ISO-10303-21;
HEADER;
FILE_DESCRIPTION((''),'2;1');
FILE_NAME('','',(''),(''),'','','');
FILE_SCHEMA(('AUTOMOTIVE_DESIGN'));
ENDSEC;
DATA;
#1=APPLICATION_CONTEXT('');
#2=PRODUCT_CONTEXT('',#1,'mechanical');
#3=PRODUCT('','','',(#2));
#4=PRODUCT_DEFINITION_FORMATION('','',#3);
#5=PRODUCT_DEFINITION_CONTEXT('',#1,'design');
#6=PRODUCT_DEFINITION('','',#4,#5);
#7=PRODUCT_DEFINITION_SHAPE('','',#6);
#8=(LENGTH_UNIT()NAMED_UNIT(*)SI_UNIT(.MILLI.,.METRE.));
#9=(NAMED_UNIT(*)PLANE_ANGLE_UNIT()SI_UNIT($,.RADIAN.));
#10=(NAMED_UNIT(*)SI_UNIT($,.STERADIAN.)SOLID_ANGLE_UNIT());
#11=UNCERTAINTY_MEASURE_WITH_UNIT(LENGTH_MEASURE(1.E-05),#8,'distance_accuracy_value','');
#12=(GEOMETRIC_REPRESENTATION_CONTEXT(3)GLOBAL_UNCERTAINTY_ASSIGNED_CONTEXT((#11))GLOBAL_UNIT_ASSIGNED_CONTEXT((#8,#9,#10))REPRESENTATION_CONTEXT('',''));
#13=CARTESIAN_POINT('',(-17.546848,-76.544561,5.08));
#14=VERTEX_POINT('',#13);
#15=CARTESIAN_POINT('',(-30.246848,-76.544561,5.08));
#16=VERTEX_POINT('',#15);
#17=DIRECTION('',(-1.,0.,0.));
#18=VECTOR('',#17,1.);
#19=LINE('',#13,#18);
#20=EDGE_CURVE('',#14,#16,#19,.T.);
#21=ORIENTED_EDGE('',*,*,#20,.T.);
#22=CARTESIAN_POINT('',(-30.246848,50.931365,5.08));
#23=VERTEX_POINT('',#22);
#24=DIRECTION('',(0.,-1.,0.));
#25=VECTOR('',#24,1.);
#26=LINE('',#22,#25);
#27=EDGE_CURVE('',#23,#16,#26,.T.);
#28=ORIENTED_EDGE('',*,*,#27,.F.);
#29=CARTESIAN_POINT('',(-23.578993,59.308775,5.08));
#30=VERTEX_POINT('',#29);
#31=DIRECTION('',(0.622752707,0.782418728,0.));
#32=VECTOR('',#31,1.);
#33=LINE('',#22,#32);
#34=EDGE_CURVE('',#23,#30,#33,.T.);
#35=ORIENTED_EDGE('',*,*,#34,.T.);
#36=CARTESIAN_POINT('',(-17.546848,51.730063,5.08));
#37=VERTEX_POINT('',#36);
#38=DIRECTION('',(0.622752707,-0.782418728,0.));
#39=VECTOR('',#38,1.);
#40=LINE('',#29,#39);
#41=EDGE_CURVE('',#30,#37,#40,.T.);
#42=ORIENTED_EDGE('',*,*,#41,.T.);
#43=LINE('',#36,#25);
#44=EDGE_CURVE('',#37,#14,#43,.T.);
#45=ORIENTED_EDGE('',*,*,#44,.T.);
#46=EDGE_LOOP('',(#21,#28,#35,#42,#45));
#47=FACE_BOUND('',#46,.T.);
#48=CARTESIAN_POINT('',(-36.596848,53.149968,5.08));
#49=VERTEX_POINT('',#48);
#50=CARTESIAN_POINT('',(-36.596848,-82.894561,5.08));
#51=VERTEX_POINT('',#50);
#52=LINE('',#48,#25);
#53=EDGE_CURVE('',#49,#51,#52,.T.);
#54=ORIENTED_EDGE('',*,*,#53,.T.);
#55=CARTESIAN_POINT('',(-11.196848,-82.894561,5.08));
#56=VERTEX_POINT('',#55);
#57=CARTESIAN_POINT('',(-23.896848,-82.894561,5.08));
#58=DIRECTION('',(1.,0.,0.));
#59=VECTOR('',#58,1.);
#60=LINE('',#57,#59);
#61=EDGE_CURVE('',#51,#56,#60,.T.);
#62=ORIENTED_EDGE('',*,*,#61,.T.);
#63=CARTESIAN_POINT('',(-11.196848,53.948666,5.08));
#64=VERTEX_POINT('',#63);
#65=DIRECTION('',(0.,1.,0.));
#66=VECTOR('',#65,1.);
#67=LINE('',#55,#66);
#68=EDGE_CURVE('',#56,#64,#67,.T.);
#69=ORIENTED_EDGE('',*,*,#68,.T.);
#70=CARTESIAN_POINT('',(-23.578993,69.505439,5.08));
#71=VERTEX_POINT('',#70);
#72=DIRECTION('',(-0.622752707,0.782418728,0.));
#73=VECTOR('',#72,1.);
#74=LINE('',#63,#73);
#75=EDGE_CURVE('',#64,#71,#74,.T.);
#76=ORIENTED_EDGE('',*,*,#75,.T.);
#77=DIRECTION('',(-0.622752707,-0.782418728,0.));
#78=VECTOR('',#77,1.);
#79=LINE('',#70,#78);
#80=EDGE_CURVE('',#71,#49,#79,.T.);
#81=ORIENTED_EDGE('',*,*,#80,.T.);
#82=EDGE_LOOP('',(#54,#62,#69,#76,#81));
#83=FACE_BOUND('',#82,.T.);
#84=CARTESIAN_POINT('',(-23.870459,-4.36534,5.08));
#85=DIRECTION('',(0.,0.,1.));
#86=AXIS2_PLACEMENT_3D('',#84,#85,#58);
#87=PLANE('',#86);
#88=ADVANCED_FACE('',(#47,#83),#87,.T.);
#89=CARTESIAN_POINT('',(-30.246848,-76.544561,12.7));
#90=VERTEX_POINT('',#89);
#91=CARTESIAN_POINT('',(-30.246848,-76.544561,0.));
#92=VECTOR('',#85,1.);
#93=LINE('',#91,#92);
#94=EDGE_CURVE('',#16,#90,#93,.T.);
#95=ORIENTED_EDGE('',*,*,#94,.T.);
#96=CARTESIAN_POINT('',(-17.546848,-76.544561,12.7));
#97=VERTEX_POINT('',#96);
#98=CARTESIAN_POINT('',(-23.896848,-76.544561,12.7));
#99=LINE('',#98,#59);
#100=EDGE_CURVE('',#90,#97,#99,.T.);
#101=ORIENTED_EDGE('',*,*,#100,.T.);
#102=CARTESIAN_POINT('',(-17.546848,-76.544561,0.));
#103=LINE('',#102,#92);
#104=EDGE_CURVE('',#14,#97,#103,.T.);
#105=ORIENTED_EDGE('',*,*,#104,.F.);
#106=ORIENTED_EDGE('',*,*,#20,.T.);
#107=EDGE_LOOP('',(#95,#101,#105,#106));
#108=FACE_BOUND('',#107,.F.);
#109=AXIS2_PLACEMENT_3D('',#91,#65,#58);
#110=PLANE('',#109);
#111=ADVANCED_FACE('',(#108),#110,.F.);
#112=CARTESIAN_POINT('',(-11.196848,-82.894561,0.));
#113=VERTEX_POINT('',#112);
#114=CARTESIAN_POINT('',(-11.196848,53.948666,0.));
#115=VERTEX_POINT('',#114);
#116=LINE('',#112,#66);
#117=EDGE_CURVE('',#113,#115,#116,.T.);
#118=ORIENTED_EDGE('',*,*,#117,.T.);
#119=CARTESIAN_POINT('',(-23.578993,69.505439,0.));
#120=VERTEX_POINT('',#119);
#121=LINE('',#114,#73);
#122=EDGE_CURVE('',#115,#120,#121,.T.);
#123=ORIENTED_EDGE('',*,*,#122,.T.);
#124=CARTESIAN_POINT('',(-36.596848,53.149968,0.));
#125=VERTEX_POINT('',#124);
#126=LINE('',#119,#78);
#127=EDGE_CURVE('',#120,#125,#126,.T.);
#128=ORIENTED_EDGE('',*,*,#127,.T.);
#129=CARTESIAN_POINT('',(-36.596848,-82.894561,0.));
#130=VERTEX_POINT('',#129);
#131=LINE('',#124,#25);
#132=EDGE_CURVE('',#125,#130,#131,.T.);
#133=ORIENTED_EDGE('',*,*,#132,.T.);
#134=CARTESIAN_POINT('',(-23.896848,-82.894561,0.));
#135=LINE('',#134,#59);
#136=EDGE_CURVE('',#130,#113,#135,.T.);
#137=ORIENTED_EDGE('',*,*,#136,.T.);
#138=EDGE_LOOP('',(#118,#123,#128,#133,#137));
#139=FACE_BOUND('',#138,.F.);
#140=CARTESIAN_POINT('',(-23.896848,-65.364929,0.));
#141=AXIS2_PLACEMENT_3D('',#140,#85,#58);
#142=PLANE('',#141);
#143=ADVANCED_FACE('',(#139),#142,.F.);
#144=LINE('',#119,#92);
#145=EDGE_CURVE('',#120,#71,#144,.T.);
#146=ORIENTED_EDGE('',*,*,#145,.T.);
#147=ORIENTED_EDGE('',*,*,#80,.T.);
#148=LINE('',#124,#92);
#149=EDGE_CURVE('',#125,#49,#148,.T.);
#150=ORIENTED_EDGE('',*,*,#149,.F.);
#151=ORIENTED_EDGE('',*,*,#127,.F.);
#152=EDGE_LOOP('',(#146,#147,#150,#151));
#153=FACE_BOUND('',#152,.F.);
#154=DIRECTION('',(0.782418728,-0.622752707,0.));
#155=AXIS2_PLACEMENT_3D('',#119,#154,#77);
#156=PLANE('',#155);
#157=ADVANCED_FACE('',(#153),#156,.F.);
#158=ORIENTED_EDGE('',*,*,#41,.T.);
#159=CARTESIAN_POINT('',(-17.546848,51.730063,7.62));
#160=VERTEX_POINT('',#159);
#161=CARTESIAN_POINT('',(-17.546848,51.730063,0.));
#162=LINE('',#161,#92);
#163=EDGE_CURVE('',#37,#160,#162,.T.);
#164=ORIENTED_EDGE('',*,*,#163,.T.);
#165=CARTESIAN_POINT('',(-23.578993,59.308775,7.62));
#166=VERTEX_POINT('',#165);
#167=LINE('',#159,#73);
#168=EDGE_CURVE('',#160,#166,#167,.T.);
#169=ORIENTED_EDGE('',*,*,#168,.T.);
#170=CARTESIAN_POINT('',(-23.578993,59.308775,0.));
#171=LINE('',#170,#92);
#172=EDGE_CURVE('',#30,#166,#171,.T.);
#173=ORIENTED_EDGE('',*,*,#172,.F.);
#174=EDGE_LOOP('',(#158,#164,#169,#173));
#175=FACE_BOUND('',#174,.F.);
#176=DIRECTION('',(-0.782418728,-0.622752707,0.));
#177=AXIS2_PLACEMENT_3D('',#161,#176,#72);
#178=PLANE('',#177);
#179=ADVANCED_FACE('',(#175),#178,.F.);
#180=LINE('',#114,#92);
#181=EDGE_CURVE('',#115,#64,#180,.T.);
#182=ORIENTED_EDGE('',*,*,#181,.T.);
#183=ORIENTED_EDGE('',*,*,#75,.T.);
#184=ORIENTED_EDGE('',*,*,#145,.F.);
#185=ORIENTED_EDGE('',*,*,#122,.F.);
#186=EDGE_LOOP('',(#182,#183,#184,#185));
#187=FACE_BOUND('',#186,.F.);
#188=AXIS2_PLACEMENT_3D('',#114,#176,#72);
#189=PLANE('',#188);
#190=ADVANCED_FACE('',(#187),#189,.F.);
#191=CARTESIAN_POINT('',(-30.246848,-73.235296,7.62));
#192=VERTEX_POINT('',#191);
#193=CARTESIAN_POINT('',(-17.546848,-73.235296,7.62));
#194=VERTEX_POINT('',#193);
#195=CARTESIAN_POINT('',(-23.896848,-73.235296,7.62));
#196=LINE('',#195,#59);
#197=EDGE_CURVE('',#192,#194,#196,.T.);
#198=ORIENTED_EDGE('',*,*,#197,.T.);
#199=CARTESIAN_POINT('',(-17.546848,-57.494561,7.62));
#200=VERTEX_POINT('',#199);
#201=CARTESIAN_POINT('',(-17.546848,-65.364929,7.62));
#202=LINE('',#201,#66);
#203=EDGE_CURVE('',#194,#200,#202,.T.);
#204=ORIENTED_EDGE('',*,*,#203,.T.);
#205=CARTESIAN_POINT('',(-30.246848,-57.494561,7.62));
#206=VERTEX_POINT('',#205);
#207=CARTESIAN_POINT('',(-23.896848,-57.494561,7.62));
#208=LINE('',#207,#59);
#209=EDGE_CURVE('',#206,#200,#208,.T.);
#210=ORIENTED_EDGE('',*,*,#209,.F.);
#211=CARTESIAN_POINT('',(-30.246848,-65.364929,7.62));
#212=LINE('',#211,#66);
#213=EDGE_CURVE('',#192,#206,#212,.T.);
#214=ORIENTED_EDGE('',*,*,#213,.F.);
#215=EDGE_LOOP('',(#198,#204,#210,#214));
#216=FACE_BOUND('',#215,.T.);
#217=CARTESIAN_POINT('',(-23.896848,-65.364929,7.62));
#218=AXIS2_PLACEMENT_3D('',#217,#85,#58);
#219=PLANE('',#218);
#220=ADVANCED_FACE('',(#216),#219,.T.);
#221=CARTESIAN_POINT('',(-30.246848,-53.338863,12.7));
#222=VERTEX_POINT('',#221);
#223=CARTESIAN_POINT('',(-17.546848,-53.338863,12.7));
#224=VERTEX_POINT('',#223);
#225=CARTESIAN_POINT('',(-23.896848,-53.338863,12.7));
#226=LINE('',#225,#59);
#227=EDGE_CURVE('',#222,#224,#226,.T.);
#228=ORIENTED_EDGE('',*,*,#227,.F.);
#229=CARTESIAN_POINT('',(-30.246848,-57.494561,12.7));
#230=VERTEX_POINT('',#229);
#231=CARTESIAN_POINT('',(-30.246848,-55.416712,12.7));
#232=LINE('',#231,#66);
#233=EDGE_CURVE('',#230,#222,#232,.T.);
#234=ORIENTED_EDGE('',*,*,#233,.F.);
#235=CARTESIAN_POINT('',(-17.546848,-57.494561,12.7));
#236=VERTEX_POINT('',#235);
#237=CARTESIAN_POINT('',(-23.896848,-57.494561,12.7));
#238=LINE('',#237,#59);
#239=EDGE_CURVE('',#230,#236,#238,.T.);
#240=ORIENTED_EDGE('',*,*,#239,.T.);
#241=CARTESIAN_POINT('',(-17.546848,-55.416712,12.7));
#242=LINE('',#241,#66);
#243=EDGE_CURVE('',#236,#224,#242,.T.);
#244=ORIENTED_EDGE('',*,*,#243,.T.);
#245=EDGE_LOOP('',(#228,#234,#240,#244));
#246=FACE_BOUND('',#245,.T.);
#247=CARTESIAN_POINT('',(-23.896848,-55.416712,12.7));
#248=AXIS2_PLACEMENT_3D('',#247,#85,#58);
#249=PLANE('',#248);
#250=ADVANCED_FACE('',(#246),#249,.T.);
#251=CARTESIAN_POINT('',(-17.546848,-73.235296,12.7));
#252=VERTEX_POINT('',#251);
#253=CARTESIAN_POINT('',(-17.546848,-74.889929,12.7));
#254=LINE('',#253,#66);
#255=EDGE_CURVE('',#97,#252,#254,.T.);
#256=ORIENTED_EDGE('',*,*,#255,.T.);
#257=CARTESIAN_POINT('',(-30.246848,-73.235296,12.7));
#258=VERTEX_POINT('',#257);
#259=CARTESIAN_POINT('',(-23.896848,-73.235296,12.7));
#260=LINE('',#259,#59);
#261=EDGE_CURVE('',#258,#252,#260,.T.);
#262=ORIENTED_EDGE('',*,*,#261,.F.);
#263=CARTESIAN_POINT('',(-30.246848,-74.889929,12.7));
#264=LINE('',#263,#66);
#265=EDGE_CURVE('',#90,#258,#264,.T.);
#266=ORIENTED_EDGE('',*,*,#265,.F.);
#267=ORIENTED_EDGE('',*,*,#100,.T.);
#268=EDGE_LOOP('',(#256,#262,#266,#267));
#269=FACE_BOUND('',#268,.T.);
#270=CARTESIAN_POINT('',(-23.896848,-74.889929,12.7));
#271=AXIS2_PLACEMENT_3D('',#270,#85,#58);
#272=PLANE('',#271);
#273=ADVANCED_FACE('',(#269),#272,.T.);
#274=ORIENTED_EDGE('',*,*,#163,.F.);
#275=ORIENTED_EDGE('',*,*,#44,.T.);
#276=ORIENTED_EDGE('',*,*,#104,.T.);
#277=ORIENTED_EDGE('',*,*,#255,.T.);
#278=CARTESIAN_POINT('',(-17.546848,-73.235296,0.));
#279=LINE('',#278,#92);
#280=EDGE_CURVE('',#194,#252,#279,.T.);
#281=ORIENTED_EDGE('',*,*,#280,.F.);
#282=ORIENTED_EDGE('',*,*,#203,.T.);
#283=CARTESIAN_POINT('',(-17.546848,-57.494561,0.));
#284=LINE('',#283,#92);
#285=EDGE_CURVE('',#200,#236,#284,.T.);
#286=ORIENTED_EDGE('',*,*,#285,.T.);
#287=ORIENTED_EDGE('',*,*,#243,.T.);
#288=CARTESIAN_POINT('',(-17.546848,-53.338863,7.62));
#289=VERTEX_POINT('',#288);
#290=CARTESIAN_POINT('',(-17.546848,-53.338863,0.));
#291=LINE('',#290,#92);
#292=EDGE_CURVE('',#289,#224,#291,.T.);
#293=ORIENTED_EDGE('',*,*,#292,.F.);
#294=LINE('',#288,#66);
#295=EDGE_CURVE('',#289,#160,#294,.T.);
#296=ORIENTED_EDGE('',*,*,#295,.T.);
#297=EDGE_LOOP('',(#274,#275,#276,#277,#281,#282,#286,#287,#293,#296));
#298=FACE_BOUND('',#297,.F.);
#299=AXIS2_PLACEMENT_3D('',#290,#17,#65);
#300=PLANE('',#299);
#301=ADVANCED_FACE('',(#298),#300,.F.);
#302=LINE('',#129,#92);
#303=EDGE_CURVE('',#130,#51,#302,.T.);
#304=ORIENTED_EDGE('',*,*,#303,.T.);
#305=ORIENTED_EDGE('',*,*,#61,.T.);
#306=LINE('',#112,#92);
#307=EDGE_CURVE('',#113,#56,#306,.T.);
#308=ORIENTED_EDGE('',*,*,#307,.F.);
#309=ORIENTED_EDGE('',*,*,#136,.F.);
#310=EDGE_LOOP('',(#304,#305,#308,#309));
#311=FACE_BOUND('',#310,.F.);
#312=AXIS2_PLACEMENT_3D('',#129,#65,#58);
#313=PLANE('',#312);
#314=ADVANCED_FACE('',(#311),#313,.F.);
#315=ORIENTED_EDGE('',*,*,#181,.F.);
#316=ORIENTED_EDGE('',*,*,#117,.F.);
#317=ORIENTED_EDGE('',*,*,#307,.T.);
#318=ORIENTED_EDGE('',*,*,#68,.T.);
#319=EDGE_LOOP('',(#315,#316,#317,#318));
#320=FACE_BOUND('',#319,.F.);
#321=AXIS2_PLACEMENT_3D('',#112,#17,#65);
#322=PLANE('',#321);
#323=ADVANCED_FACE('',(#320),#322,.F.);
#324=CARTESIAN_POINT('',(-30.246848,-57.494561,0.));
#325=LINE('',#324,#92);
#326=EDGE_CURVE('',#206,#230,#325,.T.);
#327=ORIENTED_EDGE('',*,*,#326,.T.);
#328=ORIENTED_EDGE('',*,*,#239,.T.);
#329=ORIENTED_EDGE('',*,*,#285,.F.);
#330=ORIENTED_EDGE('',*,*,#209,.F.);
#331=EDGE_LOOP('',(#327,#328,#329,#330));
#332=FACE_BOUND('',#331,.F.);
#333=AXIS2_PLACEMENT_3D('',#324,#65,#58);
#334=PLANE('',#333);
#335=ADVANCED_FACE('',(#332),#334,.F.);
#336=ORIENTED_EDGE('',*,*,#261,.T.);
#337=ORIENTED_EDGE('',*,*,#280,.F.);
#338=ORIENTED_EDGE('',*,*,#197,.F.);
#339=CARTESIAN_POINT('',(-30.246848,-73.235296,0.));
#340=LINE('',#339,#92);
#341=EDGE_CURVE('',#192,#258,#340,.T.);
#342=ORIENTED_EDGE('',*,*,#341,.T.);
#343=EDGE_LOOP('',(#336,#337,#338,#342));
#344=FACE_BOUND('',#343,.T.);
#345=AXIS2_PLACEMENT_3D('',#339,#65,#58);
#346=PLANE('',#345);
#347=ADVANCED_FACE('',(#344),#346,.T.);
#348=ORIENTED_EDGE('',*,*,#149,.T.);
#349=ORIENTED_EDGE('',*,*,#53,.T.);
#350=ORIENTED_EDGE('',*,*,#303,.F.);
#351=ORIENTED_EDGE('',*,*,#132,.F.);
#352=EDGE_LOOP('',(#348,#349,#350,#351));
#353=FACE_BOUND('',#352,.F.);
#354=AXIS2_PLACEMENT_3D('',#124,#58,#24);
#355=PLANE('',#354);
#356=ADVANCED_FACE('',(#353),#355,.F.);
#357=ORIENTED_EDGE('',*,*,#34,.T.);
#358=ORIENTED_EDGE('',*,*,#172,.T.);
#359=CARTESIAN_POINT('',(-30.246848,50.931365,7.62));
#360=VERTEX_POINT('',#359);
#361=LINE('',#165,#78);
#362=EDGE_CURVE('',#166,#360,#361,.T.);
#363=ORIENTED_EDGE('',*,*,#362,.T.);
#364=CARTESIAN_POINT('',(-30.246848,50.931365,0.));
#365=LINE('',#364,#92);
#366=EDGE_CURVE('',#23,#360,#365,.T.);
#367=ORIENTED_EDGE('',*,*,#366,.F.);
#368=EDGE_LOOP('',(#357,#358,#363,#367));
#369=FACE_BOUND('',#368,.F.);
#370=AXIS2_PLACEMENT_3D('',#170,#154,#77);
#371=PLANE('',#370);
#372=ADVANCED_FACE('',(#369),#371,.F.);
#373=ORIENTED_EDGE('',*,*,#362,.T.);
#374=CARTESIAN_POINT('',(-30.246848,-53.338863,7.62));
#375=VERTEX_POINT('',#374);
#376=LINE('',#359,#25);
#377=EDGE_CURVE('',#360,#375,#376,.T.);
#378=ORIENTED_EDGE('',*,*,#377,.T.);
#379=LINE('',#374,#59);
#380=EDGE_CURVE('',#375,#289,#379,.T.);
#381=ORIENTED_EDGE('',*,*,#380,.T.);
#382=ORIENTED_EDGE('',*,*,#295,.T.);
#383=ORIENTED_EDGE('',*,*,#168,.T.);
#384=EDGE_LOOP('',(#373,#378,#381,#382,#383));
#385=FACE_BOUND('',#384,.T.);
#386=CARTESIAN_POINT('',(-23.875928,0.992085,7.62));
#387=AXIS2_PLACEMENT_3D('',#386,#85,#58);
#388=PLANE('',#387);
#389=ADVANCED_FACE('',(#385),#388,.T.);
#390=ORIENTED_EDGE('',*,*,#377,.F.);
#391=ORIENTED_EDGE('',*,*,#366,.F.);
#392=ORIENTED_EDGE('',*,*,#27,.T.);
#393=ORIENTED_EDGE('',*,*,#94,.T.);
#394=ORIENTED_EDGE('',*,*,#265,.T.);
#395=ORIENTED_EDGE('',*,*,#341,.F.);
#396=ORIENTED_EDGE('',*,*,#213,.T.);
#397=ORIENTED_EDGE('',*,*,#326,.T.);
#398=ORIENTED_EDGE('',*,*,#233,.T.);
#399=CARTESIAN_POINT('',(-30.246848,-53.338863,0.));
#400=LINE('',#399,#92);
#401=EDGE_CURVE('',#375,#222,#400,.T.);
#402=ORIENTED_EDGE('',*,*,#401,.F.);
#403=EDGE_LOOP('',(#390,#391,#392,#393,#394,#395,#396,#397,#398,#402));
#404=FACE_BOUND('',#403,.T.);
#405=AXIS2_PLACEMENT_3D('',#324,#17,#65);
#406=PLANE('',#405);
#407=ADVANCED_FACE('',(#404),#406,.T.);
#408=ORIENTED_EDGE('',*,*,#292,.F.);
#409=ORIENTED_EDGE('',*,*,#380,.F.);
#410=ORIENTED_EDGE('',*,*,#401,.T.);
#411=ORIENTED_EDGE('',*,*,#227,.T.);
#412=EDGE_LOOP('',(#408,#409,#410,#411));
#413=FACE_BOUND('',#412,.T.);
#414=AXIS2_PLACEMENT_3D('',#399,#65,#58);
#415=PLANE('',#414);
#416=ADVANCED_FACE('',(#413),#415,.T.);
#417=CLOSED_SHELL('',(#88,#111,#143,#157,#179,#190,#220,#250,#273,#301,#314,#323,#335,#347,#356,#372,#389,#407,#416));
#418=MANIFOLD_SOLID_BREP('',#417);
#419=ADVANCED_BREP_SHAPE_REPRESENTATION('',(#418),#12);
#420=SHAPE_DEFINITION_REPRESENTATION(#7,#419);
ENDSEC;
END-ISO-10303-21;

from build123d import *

# Parameters (mm, degrees)
F0_W     = 25.4
F0_H     = 3.4750678155
F1_DEPTH = 5.08
F0_W_2   = 12.7
F0_H_2   = 15.7407342222
F2_DEPTH = 7.62
F0_H_3   = 4.1556985352
F0_H_4   = 3.3092657778
F3_DEPTH = 12.7


with BuildPart() as f1:
    # F0 (on Top) → F1 (new body)
    with BuildSketch(Plane.XY):
        Polygon((-36.596847949, 53.1499683857), (-36.596847949, -73.2352957129), (-30.246847949, -73.2352957129), (-30.246847949, -57.4945614907), (-30.246847949, -53.3388629556), (-30.246847949, -19.8709424585), (-30.246847949, -15.9986205399), (-30.246847949, 50.9313653009), (-23.5789932814, 59.3087746812), (-17.546847949, 51.7300625752), (-17.546847949, -15.9986205399), (-17.546847949, -19.8709424585), (-17.546847949, -53.3388629556), (-17.546847949, -57.4945614907), (-17.546847949, -73.2352957129), (-11.196847949, -73.2352957129), (-11.196847949, 53.94866566), (-23.5789932814, 69.5054385093), align=None)
        Polygon((-36.596847949, -73.2352957129), (-36.596847949, -79.4194936752), (-11.196847949, -79.4194936752), (-11.196847949, -73.2352957129), (-17.546847949, -73.2352957129), (-17.546847949, -76.5445614907), (-30.246847949, -76.5445614907), (-30.246847949, -73.2352957129), align=None)
        with Locations((-23.896847949, -81.157027583)):
            Rectangle(F0_W, F0_H)
    extrude(amount=F1_DEPTH)

    # F0 (on Top) → F2 (join)
    with BuildSketch(Plane.XY):
        with Locations((-23.896847949, -65.3649286018)):
            Rectangle(F0_W_2, F0_H_2)
        Polygon((-30.246847949, -19.8709424585), (-30.246847949, -53.3388629556), (-17.546847949, -53.3388629556), (-17.546847949, -19.8709424585), (-17.546847949, -15.9986205399), (-17.546847949, 51.7300625752), (-23.5789932814, 59.3087746812), (-30.246847949, 50.9313653009), (-30.246847949, -15.9986205399), align=None)
    extrude(amount=F2_DEPTH)

    # F0 (on Top) → F3 (join)
    with BuildSketch(Plane.XY):
        with Locations((-23.896847949, -55.4167122231)):
            Rectangle(F0_W_2, F0_H_3)
        with Locations((-23.896847949, -74.8899286018)):
            Rectangle(F0_W_2, F0_H_4)
    extrude(amount=F3_DEPTH)


solid = f1.part
